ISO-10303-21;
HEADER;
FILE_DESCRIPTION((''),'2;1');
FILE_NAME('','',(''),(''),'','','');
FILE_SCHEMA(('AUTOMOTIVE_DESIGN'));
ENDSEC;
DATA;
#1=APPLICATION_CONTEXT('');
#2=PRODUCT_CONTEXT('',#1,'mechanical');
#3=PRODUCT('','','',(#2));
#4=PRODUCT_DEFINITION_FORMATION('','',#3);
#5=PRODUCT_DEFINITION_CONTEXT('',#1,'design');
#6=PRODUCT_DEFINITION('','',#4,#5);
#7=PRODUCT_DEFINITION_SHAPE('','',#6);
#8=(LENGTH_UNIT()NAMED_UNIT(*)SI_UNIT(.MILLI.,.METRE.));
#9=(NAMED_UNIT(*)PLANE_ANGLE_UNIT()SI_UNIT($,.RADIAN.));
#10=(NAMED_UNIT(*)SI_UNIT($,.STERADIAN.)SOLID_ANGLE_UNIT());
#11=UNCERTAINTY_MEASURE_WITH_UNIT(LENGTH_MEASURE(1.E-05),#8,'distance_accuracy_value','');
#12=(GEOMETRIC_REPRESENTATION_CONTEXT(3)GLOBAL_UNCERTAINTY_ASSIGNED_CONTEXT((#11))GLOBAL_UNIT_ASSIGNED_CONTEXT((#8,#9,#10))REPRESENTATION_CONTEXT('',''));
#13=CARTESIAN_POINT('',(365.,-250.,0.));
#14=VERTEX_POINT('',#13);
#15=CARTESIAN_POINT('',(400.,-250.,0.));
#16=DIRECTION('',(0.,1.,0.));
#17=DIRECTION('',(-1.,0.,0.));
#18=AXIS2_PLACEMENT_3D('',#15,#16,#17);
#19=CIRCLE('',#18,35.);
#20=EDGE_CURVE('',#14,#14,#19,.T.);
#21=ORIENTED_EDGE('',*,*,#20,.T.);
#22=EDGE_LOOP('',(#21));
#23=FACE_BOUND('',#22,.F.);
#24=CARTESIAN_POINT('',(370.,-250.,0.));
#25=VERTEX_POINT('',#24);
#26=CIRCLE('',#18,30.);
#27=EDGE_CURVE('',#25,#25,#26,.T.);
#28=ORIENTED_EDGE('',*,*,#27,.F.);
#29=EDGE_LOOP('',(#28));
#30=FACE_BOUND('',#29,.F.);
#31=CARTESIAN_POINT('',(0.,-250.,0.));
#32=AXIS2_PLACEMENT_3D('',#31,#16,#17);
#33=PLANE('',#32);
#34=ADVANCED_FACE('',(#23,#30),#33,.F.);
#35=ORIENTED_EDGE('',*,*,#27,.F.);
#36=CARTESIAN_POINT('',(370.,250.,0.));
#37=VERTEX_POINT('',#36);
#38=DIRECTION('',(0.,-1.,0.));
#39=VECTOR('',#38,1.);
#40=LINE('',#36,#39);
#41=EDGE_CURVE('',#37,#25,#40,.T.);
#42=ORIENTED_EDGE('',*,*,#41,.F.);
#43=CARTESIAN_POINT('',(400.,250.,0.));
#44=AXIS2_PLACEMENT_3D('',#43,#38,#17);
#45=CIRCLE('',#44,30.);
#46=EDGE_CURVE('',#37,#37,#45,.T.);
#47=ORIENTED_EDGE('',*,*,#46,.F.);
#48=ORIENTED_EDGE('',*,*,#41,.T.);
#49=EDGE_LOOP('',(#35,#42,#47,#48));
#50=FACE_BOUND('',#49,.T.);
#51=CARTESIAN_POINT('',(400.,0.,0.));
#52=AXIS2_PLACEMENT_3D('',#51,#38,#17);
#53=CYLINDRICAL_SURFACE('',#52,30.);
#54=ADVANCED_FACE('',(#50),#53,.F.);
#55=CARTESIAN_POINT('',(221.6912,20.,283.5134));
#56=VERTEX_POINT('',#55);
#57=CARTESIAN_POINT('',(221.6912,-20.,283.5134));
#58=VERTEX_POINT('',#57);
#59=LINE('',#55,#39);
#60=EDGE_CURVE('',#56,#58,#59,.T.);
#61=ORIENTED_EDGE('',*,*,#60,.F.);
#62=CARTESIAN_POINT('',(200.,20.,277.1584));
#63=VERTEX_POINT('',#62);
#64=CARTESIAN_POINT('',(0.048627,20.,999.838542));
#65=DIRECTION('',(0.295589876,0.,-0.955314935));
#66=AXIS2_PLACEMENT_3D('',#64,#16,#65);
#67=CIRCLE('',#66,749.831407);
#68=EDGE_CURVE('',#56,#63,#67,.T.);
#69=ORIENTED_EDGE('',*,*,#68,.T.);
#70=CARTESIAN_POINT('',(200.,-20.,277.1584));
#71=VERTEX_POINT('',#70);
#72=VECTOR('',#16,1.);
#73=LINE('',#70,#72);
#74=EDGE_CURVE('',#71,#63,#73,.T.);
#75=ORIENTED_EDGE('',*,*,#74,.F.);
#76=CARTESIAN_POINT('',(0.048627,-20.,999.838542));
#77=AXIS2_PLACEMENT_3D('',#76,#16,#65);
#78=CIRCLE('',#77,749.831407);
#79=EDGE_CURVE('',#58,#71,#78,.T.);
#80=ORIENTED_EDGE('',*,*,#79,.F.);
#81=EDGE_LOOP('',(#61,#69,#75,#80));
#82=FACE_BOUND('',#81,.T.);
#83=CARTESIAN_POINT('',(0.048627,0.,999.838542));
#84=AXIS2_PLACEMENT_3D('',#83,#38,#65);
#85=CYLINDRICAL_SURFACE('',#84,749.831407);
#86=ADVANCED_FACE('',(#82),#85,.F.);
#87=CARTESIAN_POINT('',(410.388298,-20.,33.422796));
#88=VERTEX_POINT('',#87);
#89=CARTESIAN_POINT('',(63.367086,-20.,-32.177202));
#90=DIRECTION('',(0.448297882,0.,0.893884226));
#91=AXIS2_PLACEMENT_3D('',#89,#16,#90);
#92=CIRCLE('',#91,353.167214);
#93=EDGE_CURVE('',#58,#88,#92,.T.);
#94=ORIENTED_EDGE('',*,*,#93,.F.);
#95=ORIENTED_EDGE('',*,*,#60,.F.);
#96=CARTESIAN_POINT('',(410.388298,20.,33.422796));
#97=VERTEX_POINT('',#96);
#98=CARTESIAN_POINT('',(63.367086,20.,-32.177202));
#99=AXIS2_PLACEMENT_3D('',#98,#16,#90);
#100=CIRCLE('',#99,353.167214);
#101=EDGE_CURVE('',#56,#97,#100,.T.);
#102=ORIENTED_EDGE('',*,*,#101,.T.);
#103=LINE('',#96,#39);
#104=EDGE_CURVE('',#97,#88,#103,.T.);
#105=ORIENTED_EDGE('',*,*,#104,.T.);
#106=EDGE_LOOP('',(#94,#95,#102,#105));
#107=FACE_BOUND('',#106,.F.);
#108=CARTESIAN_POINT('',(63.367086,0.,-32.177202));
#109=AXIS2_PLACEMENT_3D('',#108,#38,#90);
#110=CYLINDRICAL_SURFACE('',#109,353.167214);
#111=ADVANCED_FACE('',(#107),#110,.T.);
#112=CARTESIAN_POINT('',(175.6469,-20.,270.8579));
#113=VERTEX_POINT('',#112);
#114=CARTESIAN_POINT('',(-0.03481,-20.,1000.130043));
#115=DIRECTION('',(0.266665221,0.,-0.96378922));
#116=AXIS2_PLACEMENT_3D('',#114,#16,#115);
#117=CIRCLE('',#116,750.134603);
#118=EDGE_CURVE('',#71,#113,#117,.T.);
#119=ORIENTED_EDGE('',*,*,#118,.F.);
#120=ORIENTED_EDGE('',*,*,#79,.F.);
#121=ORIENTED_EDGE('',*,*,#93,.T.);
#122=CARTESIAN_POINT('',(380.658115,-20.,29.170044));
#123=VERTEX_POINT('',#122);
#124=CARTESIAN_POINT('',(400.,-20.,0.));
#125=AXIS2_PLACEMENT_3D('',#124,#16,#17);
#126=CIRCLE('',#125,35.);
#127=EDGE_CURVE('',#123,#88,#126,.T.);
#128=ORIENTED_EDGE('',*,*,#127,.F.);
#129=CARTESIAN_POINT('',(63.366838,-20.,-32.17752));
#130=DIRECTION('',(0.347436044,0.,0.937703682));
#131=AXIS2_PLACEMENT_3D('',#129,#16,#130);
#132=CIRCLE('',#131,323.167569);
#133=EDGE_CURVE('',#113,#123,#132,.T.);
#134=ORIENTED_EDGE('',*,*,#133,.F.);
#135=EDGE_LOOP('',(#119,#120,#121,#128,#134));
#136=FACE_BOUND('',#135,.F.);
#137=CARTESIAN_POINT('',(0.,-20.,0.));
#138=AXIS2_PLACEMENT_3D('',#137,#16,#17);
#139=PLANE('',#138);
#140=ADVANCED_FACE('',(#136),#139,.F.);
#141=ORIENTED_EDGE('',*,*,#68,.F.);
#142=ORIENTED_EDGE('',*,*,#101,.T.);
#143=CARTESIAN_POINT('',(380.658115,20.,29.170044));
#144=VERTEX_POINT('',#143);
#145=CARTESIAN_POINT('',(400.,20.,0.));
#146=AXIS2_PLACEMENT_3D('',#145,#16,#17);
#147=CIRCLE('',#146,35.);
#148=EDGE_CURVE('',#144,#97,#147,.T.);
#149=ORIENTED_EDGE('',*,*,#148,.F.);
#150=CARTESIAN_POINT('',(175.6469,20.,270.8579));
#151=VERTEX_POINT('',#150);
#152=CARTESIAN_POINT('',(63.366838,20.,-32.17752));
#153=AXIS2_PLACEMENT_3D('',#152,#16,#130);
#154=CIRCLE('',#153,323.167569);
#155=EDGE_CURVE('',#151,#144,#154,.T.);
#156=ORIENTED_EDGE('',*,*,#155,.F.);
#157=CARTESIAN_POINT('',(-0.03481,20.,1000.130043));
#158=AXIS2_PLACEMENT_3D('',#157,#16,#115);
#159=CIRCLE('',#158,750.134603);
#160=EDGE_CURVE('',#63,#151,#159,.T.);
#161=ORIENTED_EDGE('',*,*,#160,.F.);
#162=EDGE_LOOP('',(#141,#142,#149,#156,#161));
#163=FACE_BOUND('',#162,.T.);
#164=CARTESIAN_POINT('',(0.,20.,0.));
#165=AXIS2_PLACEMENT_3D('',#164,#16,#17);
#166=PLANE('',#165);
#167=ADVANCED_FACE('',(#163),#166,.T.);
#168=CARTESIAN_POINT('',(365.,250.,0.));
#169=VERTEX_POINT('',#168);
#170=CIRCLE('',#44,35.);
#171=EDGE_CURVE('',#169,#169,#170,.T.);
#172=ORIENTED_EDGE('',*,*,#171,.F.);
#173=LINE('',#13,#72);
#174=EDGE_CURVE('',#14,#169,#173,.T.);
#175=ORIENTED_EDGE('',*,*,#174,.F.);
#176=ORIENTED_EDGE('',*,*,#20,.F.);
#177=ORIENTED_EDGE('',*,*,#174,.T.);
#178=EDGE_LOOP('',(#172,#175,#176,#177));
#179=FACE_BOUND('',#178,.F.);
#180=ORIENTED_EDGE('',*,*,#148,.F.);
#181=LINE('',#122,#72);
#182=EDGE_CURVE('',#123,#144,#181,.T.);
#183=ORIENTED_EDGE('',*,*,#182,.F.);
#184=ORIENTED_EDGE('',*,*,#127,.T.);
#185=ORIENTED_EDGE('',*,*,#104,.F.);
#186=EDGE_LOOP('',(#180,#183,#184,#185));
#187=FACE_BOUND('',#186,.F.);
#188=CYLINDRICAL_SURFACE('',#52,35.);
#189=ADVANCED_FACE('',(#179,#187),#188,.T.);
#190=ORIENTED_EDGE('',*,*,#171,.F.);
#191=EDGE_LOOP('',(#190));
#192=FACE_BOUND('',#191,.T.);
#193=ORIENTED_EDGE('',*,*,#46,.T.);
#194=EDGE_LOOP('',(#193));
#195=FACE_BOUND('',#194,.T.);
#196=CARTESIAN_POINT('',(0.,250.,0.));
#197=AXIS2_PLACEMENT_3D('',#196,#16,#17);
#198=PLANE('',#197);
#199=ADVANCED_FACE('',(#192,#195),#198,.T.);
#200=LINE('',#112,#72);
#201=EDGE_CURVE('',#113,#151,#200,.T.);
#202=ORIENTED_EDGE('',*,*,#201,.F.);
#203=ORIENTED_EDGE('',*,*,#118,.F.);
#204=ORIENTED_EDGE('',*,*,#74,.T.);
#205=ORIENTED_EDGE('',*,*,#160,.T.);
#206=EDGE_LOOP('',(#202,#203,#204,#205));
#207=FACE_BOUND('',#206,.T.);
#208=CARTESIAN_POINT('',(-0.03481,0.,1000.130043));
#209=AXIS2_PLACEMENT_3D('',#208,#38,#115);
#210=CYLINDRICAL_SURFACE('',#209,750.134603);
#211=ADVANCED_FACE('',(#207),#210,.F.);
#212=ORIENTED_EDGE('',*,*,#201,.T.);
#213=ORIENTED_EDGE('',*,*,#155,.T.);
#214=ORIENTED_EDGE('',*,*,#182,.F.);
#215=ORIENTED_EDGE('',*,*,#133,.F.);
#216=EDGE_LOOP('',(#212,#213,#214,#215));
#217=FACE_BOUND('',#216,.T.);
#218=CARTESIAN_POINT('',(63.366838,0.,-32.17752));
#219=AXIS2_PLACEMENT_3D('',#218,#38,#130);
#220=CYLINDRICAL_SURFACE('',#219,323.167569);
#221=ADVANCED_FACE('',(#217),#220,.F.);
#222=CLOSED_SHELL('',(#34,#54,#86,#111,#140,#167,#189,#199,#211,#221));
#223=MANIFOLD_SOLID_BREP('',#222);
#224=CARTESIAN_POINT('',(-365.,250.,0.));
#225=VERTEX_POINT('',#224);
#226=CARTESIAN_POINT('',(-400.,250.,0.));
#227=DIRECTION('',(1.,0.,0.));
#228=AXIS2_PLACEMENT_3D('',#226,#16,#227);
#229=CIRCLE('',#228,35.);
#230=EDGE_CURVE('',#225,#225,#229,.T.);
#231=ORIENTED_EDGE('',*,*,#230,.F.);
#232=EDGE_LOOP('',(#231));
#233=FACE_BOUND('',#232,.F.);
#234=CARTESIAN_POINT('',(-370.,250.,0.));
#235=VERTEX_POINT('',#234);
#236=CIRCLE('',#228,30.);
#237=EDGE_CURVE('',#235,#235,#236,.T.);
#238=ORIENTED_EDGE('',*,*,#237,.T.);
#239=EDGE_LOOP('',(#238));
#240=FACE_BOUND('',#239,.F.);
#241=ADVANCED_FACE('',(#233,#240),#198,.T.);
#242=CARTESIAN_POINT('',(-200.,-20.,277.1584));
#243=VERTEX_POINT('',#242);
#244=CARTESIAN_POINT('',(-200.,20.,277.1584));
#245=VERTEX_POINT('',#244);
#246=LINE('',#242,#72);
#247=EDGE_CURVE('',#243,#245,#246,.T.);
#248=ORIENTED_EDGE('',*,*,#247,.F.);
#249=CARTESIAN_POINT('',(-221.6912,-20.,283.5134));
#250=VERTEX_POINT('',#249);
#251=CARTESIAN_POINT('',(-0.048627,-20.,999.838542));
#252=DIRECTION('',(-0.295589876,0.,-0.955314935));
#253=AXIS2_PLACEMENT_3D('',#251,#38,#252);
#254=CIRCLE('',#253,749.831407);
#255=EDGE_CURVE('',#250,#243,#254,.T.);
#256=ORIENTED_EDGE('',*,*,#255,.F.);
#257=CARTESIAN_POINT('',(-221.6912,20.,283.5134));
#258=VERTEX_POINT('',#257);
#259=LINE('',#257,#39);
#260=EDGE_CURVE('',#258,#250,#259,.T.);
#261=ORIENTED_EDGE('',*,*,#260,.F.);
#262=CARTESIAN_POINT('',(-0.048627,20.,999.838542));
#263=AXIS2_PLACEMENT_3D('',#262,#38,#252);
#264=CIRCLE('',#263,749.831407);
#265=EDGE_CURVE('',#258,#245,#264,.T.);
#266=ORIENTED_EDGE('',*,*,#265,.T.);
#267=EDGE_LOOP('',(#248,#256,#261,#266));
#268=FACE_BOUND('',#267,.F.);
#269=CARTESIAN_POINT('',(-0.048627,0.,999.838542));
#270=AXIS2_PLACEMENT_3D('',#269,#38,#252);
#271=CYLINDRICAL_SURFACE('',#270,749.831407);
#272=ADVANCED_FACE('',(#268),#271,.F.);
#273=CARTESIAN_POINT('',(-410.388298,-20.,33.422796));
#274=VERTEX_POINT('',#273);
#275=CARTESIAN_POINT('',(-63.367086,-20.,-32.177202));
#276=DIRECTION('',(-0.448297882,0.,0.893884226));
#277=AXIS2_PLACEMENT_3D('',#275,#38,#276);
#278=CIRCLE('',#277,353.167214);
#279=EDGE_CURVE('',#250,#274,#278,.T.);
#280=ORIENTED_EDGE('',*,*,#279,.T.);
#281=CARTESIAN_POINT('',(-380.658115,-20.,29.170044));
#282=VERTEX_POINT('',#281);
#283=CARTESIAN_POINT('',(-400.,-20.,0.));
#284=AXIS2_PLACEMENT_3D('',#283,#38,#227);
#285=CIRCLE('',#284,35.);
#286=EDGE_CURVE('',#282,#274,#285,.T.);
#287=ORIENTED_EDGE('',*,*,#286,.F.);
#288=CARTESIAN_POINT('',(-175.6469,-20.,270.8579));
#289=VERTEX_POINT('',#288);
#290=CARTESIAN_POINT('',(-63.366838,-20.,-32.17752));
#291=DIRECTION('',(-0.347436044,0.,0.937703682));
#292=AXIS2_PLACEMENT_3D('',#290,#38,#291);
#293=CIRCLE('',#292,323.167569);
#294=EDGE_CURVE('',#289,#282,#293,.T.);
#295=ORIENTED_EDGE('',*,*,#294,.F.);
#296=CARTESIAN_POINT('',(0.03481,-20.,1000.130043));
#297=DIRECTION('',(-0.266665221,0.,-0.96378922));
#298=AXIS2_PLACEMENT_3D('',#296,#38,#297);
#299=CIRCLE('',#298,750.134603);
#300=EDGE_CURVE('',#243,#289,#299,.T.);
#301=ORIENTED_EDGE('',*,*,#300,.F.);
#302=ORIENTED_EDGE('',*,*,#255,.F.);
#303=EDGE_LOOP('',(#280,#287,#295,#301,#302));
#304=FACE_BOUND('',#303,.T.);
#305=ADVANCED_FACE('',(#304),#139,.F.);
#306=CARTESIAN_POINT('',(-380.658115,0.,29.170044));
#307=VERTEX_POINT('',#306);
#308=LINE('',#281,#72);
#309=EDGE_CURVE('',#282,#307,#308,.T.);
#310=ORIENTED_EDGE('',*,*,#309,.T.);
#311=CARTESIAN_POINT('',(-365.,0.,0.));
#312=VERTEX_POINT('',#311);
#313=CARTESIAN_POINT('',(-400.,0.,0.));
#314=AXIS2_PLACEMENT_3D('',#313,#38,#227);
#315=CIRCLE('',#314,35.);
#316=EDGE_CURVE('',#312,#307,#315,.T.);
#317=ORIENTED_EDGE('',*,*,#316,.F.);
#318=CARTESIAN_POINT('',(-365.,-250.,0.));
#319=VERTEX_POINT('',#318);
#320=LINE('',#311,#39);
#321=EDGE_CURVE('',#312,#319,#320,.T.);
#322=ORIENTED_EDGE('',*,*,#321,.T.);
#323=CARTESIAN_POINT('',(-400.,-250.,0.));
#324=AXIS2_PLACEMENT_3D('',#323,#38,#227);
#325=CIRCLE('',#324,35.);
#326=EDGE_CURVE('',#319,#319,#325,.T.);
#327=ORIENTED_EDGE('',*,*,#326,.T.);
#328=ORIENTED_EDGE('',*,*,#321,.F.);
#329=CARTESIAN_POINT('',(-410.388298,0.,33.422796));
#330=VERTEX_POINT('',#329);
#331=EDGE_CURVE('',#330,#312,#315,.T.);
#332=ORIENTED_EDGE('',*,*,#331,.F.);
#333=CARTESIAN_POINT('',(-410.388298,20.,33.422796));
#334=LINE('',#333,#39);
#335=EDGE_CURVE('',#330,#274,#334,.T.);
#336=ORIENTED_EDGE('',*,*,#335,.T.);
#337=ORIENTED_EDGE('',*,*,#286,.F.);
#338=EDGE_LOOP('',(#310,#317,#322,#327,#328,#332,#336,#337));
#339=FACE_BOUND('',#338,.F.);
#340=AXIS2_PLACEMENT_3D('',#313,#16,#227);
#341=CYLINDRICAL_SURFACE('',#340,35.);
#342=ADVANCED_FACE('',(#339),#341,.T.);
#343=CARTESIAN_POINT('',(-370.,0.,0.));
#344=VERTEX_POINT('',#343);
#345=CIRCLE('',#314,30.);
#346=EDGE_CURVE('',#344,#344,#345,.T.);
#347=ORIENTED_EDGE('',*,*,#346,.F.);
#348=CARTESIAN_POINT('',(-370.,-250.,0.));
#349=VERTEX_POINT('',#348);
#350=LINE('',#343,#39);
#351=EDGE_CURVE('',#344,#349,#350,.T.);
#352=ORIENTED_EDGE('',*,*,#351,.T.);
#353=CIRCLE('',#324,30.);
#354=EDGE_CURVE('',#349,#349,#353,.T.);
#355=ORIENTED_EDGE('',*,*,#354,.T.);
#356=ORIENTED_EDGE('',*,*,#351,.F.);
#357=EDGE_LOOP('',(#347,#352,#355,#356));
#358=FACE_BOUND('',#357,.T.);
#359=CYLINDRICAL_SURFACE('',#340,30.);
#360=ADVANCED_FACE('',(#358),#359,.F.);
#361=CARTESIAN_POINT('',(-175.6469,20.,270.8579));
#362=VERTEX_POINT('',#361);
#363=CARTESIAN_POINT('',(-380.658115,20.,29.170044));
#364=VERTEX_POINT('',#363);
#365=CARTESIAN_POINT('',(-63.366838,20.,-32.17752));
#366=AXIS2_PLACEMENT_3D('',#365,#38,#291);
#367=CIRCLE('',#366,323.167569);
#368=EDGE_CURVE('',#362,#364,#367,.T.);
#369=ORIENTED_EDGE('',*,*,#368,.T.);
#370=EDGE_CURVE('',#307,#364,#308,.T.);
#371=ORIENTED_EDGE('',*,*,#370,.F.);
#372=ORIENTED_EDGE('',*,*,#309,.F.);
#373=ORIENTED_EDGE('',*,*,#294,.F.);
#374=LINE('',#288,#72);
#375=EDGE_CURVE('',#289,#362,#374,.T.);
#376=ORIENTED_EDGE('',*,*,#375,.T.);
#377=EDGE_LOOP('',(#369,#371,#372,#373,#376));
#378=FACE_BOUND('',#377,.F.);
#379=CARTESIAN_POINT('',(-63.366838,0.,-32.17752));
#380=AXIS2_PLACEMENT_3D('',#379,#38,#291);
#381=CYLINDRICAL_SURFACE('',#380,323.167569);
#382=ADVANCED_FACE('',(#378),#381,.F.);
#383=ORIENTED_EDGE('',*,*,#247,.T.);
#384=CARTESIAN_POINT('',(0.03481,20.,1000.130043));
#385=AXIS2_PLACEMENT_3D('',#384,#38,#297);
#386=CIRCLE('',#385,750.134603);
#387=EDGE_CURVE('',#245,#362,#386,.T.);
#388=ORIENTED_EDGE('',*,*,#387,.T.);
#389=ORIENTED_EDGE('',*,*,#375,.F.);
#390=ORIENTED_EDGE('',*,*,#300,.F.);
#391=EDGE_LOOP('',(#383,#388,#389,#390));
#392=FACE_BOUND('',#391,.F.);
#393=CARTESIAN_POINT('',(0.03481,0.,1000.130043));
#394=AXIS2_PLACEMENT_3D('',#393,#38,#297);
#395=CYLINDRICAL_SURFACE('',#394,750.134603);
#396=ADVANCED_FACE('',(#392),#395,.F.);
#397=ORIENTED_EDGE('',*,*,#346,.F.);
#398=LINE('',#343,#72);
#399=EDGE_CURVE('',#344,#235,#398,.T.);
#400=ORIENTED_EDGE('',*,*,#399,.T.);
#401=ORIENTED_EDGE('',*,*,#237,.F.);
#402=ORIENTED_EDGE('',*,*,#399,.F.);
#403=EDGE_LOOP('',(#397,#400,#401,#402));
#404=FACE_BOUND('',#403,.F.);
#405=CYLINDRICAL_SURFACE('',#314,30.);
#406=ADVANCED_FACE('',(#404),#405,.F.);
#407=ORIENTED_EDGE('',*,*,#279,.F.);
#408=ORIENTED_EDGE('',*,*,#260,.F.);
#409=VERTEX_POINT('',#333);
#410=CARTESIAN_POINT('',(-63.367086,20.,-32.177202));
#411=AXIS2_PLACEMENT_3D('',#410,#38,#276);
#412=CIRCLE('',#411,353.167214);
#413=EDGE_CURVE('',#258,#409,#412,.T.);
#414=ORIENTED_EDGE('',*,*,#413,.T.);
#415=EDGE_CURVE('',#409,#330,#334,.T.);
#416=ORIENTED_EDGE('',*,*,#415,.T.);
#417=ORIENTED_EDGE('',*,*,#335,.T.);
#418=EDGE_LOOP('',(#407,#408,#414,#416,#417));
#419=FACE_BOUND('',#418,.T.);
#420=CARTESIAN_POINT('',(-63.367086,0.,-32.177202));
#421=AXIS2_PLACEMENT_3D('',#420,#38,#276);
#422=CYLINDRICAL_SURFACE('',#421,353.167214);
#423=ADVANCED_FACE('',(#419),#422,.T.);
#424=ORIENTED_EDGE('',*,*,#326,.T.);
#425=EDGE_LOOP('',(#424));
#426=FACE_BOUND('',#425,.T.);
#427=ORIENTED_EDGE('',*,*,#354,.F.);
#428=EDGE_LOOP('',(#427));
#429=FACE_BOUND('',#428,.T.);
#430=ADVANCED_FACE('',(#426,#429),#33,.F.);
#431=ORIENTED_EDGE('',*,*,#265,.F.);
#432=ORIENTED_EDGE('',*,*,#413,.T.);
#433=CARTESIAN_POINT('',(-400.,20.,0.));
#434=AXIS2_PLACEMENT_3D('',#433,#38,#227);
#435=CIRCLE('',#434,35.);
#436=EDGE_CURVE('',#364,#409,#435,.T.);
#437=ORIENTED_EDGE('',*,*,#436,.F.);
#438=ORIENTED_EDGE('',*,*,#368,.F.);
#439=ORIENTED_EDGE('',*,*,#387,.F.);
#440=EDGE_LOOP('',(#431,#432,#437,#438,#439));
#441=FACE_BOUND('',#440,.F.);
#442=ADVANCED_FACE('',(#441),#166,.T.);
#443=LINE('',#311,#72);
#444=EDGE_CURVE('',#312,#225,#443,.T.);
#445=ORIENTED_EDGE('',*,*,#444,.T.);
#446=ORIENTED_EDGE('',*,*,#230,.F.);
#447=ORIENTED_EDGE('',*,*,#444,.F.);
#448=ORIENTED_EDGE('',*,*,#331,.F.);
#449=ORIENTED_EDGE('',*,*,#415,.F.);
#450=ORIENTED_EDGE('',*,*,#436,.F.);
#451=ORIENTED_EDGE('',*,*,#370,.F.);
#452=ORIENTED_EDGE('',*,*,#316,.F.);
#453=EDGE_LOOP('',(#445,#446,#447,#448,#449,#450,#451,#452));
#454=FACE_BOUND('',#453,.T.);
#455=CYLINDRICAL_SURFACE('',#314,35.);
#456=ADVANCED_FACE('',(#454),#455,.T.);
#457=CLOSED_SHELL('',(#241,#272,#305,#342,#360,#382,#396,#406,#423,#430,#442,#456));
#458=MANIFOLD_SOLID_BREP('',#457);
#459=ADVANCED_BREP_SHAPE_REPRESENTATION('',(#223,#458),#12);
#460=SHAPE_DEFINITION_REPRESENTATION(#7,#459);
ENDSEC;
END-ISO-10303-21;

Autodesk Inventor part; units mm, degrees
ref_plane "YZ Plane" through (0, 0, 0) normal (1, 0, 0) x (0, 1, 0)
ref_plane "XZ Plane" through (0, 0, 0) normal (0, 1, 0) x (-1, 0, 0)
ref_plane "XY Plane" through (0, 0, 0) normal (0, 0, 1) x (1, 0, 0)
sketch "스케치1" plane through (0, 0, 0) normal (0, 1, 0) x (-1, 0, 0)
  line L0 (0, 0) -> (-400, 0)
  circle A0 centre (-400, 0) radius 35
  circle A1 centre (-400, 0) radius 30
  line L1 (0, 0) -> (0, 250)
  arc A2 (-200, 277.1584) -> (-175.6469, 270.8579) centre (0, 1000) ccw
  line L2 (0, 0) -> (0, 300)
  arc A3 (-414.9319, 1.4273) -> (-385.0681, -1.4273) centre (-400, 0) ccw
  arc A4 (-175.6469, 270.8579) -> (-385.0681, -1.4273) centre (-63.367, -32.1773) ccw
  arc A5 (-221.6912, 283.5134) -> (-200, 277.1584) centre (0, 1000) ccw
  arc A6 (-221.6912, 283.5134) -> (-414.9319, 1.4273) centre (-63.367, -32.1773) ccw
  point P0 (-410.3883, 33.4228)
  point P1 (-380.6581, 29.17)
  dimension "d0" = 400
  dimension "d1" = 70
  dimension "d2" = 60
  dimension "d3" = 250
  dimension "d6" = 300
extrude "돌출1" add sketch "스케치1" along normal mid plane 500 contours A0 A6 A1 L0 | L0 A1 A4 A0 | A4 A1 A6 A0
extrude "돌출2" add sketch "스케치1" along normal mid plane 40 contours A0 A6 A5 A2 A4
mirror "미러1" about plane through (0, 0, 0) normal (1, 0, 0) of "돌출1", "돌출2"
properties part number "stand"
